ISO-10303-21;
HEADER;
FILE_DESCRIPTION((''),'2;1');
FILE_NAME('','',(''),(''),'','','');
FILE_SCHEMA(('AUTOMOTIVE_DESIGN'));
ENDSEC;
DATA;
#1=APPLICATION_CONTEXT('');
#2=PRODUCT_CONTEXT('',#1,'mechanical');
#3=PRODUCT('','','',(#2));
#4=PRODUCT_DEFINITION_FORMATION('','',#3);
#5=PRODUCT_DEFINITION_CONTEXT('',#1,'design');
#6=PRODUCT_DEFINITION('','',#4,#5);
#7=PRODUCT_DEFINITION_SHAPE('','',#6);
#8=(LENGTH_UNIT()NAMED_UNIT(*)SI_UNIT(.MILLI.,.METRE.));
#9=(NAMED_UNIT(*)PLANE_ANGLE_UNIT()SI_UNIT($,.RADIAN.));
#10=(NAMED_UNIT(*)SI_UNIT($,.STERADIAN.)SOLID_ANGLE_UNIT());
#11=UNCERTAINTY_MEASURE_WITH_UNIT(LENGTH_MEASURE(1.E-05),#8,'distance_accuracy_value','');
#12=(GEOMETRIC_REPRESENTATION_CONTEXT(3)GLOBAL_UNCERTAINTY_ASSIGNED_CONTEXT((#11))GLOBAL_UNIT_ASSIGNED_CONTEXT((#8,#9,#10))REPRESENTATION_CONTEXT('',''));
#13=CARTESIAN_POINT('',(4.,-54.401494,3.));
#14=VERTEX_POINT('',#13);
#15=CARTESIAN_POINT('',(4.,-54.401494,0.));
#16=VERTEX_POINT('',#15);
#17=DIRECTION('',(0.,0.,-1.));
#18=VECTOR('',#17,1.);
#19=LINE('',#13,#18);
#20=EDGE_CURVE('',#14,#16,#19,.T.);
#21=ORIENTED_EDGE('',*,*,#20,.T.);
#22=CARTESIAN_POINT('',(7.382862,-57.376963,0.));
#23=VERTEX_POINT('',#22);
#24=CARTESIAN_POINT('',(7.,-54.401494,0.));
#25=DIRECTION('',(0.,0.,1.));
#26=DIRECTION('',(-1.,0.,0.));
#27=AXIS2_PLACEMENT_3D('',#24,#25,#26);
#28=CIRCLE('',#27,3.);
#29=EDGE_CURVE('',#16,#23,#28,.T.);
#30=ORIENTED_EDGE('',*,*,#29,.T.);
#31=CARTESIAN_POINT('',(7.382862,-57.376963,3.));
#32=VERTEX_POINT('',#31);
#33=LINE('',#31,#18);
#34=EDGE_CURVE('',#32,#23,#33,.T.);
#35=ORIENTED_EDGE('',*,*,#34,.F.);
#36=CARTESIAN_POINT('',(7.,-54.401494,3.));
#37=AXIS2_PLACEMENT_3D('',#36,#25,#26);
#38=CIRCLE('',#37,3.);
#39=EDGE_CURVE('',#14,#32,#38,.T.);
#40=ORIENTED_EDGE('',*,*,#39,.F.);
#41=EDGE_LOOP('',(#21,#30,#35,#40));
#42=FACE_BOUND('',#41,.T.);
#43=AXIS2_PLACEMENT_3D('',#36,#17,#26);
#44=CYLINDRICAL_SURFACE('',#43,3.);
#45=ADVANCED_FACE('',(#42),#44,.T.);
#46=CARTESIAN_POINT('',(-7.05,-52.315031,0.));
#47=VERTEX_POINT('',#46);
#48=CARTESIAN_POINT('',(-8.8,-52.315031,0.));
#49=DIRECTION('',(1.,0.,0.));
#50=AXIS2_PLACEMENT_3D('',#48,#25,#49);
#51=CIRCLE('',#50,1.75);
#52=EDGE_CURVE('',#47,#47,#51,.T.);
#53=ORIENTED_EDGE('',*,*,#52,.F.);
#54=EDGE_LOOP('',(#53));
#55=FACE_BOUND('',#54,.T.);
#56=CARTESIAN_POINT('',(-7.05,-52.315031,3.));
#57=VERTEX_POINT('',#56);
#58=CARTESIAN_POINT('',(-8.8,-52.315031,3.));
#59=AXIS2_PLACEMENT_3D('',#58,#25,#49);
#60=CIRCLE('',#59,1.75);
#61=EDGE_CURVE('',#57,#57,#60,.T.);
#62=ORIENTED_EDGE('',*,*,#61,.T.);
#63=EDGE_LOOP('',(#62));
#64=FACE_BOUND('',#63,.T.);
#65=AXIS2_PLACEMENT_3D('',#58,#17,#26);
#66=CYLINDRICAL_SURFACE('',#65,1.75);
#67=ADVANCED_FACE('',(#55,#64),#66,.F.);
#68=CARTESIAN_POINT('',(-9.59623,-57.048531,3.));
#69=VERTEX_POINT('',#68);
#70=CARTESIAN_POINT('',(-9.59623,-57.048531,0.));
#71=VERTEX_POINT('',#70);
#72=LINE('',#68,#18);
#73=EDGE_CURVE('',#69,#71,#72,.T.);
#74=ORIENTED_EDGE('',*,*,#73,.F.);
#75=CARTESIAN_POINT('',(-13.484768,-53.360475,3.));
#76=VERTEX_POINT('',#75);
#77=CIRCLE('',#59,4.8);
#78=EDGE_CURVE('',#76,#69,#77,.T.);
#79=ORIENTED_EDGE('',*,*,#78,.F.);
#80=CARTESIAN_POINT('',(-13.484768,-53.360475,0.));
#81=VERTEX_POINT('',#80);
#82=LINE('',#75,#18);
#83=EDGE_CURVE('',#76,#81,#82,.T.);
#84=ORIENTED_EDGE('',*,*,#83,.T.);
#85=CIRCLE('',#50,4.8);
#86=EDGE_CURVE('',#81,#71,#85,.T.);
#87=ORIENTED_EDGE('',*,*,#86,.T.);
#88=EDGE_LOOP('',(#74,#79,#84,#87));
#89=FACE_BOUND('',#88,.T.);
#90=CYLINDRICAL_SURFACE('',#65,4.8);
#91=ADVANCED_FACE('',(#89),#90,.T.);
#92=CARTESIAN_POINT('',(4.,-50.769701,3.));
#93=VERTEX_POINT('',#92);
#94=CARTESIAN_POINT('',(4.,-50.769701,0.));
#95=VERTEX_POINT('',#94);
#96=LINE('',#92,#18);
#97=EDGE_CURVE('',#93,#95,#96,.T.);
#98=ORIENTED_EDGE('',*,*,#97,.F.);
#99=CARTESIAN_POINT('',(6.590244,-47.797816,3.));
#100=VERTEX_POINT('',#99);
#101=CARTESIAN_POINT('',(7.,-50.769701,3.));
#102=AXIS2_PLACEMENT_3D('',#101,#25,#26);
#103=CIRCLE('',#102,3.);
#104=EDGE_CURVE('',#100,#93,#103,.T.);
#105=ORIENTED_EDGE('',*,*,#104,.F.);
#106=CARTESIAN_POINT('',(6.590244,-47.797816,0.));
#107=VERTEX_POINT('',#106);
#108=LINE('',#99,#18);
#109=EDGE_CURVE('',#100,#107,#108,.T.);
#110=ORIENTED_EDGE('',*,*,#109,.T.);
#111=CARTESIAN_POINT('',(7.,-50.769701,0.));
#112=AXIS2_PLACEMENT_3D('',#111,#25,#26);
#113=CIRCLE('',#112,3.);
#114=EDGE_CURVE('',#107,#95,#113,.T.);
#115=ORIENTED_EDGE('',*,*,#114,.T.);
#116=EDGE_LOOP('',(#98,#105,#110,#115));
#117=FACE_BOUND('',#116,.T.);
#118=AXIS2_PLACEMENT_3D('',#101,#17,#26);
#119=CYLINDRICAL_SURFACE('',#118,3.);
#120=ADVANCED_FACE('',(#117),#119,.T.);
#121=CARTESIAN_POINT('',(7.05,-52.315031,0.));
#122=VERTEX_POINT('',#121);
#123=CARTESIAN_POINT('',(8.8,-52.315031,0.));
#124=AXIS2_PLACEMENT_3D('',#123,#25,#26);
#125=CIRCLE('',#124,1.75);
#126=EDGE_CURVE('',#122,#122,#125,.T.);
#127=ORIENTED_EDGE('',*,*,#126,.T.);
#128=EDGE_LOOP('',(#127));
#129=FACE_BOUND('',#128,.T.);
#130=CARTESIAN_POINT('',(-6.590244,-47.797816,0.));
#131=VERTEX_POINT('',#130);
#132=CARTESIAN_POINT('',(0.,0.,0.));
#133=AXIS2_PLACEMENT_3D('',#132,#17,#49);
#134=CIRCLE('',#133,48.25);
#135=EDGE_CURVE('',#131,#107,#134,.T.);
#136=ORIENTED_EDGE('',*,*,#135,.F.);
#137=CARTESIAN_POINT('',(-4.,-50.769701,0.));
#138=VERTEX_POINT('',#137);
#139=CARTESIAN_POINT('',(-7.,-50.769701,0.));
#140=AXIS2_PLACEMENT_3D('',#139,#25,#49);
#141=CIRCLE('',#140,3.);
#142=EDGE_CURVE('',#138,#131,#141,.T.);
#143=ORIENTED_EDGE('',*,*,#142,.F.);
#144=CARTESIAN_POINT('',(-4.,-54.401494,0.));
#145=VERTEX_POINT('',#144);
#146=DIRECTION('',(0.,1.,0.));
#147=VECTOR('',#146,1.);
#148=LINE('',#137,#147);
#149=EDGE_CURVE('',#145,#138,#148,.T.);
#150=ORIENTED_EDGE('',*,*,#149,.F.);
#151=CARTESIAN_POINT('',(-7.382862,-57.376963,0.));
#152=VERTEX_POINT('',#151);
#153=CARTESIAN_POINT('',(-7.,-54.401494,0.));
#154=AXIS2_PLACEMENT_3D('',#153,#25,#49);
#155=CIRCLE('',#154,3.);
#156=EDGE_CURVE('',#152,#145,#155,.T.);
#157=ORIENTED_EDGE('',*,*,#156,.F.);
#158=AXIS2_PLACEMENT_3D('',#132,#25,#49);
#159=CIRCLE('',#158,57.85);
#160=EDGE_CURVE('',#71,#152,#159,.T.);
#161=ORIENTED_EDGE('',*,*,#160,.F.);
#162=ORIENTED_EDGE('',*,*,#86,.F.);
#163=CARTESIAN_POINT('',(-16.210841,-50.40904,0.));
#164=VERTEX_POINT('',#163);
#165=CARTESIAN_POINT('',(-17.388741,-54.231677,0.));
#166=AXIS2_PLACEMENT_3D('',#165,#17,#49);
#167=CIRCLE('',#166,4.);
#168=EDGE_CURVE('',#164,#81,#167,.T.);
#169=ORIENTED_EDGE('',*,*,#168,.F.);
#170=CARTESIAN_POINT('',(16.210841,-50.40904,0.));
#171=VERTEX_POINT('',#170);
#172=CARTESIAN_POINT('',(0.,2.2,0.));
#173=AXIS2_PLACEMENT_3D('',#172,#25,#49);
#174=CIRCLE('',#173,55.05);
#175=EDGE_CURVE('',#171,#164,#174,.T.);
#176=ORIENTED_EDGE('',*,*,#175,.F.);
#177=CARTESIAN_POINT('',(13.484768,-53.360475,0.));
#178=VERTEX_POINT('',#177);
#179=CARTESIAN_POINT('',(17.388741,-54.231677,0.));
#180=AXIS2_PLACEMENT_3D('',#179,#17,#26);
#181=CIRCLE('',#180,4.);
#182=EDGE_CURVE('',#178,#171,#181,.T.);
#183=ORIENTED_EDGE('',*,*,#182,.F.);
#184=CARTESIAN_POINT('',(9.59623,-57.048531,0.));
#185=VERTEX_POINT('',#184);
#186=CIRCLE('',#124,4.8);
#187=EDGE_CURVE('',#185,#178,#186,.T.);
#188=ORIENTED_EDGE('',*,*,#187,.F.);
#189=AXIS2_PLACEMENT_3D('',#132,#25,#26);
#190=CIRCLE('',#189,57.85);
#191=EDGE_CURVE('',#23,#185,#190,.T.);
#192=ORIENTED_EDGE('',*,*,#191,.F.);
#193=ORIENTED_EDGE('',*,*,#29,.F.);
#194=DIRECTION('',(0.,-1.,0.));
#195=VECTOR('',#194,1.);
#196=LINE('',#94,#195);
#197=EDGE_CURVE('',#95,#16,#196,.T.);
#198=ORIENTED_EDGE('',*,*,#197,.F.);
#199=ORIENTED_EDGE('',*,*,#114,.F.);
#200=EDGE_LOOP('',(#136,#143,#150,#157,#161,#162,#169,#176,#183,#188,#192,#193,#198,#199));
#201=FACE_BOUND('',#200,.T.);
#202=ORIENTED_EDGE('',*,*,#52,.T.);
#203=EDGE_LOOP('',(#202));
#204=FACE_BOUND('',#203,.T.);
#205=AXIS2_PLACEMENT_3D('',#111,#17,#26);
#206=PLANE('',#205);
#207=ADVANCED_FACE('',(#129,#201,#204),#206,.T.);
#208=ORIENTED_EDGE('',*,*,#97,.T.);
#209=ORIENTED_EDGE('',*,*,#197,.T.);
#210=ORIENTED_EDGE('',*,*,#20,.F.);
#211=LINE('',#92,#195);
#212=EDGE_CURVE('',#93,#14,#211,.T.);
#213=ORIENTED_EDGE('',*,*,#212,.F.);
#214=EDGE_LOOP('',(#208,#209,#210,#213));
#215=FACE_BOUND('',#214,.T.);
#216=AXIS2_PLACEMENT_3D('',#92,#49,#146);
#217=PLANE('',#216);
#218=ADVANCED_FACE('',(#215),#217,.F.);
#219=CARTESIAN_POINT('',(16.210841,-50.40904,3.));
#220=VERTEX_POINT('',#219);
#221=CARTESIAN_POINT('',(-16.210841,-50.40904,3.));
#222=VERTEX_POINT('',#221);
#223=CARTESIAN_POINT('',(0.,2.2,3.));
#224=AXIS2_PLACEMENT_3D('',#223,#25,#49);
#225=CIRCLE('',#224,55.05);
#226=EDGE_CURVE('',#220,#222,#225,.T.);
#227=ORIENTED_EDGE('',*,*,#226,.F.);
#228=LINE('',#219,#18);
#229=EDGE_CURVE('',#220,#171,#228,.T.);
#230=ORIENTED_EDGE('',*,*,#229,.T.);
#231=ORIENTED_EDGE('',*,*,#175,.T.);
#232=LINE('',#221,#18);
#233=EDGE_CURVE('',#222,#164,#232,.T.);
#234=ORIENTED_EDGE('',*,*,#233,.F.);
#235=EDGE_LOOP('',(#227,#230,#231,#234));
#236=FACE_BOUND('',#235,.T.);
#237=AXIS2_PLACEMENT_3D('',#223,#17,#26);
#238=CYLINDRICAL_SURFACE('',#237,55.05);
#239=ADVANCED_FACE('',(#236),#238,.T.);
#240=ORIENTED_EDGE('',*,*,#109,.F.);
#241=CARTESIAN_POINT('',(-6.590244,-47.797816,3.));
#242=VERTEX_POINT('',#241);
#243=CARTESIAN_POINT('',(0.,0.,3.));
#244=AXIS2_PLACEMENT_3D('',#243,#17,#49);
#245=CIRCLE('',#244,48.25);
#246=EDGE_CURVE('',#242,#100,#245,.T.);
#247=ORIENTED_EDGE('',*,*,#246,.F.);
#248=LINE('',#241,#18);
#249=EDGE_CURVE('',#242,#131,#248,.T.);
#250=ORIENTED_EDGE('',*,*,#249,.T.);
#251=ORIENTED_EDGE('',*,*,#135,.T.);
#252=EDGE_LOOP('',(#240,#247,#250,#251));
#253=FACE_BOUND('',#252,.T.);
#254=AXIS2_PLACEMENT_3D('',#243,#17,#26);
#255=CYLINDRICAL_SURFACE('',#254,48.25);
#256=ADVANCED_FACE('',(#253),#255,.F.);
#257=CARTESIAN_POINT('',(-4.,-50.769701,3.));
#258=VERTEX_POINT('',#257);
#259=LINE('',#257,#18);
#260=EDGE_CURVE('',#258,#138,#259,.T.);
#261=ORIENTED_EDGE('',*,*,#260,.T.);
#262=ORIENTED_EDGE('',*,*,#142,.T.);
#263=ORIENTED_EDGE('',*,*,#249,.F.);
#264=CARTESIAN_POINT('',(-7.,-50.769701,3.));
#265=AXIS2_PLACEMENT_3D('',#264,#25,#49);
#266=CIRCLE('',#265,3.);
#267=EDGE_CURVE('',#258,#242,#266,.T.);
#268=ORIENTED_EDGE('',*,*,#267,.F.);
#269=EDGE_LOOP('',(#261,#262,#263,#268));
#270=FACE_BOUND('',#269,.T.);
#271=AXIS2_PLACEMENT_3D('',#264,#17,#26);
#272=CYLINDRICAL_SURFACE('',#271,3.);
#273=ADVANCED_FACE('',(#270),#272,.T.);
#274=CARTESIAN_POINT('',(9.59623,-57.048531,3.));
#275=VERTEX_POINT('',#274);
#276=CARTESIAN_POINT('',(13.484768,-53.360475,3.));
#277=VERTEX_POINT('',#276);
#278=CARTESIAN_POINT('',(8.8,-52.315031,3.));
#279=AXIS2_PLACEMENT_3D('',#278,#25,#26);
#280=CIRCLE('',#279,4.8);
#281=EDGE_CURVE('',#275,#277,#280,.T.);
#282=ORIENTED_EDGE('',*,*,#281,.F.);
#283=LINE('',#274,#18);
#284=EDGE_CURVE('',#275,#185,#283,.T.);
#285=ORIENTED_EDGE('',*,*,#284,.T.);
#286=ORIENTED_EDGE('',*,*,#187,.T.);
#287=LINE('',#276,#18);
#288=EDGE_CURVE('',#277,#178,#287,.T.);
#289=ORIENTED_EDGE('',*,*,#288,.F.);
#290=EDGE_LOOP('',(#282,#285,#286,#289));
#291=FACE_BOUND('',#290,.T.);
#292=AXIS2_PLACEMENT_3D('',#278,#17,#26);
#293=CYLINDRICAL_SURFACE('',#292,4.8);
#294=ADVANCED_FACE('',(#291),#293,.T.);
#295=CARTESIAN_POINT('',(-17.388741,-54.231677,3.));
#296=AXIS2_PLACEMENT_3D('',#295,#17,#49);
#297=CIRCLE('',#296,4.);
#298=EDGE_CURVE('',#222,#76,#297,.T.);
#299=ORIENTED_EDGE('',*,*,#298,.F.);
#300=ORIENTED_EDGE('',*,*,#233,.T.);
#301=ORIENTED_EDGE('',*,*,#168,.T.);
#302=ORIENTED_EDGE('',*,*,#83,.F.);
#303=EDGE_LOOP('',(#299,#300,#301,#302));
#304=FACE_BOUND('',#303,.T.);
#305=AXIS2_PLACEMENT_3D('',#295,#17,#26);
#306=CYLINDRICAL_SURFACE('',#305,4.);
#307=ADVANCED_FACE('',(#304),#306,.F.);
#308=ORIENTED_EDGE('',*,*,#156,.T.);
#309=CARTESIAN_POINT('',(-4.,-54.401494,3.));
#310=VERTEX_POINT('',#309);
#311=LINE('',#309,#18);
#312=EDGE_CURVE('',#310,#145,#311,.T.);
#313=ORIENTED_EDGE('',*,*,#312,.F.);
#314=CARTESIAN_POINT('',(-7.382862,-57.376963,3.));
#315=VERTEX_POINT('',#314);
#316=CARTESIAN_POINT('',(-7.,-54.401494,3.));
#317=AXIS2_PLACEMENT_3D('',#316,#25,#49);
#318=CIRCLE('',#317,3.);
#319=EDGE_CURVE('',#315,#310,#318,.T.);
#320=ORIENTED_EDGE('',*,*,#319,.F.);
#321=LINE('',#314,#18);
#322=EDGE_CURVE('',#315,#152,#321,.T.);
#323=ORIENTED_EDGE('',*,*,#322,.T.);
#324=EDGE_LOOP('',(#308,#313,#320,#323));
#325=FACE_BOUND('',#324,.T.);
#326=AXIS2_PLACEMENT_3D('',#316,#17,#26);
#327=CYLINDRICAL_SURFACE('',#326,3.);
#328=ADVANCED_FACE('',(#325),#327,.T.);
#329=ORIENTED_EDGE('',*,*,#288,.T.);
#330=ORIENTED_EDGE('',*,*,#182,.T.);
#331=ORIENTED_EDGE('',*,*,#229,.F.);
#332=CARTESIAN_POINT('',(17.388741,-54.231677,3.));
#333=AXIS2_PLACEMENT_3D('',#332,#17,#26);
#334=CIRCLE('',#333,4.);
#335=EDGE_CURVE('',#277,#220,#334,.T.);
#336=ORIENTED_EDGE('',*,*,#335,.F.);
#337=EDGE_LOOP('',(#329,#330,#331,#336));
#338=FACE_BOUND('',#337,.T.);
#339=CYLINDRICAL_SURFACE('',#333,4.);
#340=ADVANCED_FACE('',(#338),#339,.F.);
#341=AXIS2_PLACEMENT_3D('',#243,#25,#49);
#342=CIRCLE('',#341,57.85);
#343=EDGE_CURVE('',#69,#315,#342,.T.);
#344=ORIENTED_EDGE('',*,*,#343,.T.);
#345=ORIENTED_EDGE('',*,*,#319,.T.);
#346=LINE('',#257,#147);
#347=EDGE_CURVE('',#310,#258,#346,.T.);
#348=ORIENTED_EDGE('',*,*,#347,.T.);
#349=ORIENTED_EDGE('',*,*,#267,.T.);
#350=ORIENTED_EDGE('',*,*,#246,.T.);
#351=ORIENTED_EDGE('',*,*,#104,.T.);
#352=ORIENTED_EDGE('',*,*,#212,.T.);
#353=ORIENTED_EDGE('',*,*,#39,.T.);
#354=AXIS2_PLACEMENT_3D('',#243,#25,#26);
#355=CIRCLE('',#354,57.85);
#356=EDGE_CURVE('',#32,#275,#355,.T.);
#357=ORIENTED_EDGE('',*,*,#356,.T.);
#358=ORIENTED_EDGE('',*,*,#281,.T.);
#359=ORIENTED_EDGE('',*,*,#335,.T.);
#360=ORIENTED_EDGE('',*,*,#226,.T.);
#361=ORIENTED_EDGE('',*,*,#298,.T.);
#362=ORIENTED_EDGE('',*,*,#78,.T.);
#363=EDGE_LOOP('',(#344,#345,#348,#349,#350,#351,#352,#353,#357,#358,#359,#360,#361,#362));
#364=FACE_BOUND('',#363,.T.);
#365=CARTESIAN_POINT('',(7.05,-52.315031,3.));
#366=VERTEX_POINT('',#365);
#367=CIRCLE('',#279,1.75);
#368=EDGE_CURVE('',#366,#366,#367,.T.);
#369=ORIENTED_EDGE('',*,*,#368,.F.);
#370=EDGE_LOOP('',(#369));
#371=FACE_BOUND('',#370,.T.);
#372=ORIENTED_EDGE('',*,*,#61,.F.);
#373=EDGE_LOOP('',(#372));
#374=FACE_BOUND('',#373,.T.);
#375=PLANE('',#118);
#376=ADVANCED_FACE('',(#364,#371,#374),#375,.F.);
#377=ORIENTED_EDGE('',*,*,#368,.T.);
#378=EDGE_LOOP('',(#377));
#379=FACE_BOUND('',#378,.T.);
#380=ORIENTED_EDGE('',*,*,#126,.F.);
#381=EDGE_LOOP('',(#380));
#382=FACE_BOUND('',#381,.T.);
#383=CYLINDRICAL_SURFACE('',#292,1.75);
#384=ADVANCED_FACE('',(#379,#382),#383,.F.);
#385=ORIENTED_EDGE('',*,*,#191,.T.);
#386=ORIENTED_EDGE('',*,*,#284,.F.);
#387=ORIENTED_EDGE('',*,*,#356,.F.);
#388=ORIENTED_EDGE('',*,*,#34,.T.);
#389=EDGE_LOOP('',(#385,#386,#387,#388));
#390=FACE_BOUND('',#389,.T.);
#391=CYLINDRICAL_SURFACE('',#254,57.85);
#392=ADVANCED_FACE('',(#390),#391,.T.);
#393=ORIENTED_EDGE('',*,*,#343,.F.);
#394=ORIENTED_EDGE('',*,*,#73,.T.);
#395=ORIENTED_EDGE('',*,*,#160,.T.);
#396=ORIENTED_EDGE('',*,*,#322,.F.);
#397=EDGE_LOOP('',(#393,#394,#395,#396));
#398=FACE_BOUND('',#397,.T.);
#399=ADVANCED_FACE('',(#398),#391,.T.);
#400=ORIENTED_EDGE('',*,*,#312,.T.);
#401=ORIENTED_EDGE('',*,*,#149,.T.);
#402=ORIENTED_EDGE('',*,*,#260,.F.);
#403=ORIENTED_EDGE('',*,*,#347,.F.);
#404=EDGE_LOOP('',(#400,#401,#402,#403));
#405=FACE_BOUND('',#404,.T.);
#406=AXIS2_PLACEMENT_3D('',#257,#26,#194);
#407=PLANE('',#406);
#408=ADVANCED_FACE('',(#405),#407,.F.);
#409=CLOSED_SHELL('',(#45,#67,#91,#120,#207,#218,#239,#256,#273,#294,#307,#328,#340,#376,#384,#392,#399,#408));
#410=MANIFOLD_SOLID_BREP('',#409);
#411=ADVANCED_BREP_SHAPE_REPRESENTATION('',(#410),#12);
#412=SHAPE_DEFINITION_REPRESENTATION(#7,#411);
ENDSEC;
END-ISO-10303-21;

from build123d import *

# Parameters (mm, degrees)
SKETCH1_R      = 1.75
EXTRUDE1_DEPTH = 3


with BuildPart() as part:
    # Sketch1 → Extrude1 (new body)
    with BuildSketch(Plane.XY):
        with BuildLine():
            Line((-4, -50.76970061), (-4, -54.401493546))
            ThreePointArc((-4, -54.401493546), (-5.018660435, -56.654112805), (-7.382862352, -57.376962655))
            ThreePointArc((-7.382862352, -57.376962655), (-8.491134253, -57.223449207), (-9.596229972, -57.048530834))
            ThreePointArc((-9.596229972, -57.048530834), (-12.103146033, -55.797735176), (-13.484767706, -53.360474528))
            ThreePointArc((-13.484767706, -53.360474528), (-14.450357204, -51.517657712), (-16.210841333, -50.409040319))
            ThreePointArc((-16.210841333, -50.409040319), (0, 57.25), (16.210841333, -50.409040319))
            ThreePointArc((16.210841333, -50.409040319), (14.450357204, -51.517657712), (13.484767706, -53.360474528))
            ThreePointArc((13.484767706, -53.360474528), (12.103146033, -55.797735176), (9.596229972, -57.048530834))
            ThreePointArc((9.596229972, -57.048530834), (8.491134253, -57.223449207), (7.382862352, -57.376962655))
            ThreePointArc((7.382862352, -57.376962655), (5.018660435, -56.654112805), (4, -54.401493546))
            Line((4, -54.401493546), (4, -50.76970061))
            ThreePointArc((4, -50.76970061), (4.738444308, -48.79856747), (6.590243902, -47.797815696))
            ThreePointArc((6.590243902, -47.797815696), (0, 48.25), (-6.590243902, -47.797815696))
            ThreePointArc((-6.590243902, -47.797815696), (-4.738444308, -48.79856747), (-4, -50.76970061))
        make_face()
        with Locations((-8.8, -52.315031301)):
            Circle(SKETCH1_R, mode=Mode.SUBTRACT)
        with Locations((8.8, -52.315031301)):
            Circle(SKETCH1_R, mode=Mode.SUBTRACT)
    extrude(amount=EXTRUDE1_DEPTH)


solid = part.part
